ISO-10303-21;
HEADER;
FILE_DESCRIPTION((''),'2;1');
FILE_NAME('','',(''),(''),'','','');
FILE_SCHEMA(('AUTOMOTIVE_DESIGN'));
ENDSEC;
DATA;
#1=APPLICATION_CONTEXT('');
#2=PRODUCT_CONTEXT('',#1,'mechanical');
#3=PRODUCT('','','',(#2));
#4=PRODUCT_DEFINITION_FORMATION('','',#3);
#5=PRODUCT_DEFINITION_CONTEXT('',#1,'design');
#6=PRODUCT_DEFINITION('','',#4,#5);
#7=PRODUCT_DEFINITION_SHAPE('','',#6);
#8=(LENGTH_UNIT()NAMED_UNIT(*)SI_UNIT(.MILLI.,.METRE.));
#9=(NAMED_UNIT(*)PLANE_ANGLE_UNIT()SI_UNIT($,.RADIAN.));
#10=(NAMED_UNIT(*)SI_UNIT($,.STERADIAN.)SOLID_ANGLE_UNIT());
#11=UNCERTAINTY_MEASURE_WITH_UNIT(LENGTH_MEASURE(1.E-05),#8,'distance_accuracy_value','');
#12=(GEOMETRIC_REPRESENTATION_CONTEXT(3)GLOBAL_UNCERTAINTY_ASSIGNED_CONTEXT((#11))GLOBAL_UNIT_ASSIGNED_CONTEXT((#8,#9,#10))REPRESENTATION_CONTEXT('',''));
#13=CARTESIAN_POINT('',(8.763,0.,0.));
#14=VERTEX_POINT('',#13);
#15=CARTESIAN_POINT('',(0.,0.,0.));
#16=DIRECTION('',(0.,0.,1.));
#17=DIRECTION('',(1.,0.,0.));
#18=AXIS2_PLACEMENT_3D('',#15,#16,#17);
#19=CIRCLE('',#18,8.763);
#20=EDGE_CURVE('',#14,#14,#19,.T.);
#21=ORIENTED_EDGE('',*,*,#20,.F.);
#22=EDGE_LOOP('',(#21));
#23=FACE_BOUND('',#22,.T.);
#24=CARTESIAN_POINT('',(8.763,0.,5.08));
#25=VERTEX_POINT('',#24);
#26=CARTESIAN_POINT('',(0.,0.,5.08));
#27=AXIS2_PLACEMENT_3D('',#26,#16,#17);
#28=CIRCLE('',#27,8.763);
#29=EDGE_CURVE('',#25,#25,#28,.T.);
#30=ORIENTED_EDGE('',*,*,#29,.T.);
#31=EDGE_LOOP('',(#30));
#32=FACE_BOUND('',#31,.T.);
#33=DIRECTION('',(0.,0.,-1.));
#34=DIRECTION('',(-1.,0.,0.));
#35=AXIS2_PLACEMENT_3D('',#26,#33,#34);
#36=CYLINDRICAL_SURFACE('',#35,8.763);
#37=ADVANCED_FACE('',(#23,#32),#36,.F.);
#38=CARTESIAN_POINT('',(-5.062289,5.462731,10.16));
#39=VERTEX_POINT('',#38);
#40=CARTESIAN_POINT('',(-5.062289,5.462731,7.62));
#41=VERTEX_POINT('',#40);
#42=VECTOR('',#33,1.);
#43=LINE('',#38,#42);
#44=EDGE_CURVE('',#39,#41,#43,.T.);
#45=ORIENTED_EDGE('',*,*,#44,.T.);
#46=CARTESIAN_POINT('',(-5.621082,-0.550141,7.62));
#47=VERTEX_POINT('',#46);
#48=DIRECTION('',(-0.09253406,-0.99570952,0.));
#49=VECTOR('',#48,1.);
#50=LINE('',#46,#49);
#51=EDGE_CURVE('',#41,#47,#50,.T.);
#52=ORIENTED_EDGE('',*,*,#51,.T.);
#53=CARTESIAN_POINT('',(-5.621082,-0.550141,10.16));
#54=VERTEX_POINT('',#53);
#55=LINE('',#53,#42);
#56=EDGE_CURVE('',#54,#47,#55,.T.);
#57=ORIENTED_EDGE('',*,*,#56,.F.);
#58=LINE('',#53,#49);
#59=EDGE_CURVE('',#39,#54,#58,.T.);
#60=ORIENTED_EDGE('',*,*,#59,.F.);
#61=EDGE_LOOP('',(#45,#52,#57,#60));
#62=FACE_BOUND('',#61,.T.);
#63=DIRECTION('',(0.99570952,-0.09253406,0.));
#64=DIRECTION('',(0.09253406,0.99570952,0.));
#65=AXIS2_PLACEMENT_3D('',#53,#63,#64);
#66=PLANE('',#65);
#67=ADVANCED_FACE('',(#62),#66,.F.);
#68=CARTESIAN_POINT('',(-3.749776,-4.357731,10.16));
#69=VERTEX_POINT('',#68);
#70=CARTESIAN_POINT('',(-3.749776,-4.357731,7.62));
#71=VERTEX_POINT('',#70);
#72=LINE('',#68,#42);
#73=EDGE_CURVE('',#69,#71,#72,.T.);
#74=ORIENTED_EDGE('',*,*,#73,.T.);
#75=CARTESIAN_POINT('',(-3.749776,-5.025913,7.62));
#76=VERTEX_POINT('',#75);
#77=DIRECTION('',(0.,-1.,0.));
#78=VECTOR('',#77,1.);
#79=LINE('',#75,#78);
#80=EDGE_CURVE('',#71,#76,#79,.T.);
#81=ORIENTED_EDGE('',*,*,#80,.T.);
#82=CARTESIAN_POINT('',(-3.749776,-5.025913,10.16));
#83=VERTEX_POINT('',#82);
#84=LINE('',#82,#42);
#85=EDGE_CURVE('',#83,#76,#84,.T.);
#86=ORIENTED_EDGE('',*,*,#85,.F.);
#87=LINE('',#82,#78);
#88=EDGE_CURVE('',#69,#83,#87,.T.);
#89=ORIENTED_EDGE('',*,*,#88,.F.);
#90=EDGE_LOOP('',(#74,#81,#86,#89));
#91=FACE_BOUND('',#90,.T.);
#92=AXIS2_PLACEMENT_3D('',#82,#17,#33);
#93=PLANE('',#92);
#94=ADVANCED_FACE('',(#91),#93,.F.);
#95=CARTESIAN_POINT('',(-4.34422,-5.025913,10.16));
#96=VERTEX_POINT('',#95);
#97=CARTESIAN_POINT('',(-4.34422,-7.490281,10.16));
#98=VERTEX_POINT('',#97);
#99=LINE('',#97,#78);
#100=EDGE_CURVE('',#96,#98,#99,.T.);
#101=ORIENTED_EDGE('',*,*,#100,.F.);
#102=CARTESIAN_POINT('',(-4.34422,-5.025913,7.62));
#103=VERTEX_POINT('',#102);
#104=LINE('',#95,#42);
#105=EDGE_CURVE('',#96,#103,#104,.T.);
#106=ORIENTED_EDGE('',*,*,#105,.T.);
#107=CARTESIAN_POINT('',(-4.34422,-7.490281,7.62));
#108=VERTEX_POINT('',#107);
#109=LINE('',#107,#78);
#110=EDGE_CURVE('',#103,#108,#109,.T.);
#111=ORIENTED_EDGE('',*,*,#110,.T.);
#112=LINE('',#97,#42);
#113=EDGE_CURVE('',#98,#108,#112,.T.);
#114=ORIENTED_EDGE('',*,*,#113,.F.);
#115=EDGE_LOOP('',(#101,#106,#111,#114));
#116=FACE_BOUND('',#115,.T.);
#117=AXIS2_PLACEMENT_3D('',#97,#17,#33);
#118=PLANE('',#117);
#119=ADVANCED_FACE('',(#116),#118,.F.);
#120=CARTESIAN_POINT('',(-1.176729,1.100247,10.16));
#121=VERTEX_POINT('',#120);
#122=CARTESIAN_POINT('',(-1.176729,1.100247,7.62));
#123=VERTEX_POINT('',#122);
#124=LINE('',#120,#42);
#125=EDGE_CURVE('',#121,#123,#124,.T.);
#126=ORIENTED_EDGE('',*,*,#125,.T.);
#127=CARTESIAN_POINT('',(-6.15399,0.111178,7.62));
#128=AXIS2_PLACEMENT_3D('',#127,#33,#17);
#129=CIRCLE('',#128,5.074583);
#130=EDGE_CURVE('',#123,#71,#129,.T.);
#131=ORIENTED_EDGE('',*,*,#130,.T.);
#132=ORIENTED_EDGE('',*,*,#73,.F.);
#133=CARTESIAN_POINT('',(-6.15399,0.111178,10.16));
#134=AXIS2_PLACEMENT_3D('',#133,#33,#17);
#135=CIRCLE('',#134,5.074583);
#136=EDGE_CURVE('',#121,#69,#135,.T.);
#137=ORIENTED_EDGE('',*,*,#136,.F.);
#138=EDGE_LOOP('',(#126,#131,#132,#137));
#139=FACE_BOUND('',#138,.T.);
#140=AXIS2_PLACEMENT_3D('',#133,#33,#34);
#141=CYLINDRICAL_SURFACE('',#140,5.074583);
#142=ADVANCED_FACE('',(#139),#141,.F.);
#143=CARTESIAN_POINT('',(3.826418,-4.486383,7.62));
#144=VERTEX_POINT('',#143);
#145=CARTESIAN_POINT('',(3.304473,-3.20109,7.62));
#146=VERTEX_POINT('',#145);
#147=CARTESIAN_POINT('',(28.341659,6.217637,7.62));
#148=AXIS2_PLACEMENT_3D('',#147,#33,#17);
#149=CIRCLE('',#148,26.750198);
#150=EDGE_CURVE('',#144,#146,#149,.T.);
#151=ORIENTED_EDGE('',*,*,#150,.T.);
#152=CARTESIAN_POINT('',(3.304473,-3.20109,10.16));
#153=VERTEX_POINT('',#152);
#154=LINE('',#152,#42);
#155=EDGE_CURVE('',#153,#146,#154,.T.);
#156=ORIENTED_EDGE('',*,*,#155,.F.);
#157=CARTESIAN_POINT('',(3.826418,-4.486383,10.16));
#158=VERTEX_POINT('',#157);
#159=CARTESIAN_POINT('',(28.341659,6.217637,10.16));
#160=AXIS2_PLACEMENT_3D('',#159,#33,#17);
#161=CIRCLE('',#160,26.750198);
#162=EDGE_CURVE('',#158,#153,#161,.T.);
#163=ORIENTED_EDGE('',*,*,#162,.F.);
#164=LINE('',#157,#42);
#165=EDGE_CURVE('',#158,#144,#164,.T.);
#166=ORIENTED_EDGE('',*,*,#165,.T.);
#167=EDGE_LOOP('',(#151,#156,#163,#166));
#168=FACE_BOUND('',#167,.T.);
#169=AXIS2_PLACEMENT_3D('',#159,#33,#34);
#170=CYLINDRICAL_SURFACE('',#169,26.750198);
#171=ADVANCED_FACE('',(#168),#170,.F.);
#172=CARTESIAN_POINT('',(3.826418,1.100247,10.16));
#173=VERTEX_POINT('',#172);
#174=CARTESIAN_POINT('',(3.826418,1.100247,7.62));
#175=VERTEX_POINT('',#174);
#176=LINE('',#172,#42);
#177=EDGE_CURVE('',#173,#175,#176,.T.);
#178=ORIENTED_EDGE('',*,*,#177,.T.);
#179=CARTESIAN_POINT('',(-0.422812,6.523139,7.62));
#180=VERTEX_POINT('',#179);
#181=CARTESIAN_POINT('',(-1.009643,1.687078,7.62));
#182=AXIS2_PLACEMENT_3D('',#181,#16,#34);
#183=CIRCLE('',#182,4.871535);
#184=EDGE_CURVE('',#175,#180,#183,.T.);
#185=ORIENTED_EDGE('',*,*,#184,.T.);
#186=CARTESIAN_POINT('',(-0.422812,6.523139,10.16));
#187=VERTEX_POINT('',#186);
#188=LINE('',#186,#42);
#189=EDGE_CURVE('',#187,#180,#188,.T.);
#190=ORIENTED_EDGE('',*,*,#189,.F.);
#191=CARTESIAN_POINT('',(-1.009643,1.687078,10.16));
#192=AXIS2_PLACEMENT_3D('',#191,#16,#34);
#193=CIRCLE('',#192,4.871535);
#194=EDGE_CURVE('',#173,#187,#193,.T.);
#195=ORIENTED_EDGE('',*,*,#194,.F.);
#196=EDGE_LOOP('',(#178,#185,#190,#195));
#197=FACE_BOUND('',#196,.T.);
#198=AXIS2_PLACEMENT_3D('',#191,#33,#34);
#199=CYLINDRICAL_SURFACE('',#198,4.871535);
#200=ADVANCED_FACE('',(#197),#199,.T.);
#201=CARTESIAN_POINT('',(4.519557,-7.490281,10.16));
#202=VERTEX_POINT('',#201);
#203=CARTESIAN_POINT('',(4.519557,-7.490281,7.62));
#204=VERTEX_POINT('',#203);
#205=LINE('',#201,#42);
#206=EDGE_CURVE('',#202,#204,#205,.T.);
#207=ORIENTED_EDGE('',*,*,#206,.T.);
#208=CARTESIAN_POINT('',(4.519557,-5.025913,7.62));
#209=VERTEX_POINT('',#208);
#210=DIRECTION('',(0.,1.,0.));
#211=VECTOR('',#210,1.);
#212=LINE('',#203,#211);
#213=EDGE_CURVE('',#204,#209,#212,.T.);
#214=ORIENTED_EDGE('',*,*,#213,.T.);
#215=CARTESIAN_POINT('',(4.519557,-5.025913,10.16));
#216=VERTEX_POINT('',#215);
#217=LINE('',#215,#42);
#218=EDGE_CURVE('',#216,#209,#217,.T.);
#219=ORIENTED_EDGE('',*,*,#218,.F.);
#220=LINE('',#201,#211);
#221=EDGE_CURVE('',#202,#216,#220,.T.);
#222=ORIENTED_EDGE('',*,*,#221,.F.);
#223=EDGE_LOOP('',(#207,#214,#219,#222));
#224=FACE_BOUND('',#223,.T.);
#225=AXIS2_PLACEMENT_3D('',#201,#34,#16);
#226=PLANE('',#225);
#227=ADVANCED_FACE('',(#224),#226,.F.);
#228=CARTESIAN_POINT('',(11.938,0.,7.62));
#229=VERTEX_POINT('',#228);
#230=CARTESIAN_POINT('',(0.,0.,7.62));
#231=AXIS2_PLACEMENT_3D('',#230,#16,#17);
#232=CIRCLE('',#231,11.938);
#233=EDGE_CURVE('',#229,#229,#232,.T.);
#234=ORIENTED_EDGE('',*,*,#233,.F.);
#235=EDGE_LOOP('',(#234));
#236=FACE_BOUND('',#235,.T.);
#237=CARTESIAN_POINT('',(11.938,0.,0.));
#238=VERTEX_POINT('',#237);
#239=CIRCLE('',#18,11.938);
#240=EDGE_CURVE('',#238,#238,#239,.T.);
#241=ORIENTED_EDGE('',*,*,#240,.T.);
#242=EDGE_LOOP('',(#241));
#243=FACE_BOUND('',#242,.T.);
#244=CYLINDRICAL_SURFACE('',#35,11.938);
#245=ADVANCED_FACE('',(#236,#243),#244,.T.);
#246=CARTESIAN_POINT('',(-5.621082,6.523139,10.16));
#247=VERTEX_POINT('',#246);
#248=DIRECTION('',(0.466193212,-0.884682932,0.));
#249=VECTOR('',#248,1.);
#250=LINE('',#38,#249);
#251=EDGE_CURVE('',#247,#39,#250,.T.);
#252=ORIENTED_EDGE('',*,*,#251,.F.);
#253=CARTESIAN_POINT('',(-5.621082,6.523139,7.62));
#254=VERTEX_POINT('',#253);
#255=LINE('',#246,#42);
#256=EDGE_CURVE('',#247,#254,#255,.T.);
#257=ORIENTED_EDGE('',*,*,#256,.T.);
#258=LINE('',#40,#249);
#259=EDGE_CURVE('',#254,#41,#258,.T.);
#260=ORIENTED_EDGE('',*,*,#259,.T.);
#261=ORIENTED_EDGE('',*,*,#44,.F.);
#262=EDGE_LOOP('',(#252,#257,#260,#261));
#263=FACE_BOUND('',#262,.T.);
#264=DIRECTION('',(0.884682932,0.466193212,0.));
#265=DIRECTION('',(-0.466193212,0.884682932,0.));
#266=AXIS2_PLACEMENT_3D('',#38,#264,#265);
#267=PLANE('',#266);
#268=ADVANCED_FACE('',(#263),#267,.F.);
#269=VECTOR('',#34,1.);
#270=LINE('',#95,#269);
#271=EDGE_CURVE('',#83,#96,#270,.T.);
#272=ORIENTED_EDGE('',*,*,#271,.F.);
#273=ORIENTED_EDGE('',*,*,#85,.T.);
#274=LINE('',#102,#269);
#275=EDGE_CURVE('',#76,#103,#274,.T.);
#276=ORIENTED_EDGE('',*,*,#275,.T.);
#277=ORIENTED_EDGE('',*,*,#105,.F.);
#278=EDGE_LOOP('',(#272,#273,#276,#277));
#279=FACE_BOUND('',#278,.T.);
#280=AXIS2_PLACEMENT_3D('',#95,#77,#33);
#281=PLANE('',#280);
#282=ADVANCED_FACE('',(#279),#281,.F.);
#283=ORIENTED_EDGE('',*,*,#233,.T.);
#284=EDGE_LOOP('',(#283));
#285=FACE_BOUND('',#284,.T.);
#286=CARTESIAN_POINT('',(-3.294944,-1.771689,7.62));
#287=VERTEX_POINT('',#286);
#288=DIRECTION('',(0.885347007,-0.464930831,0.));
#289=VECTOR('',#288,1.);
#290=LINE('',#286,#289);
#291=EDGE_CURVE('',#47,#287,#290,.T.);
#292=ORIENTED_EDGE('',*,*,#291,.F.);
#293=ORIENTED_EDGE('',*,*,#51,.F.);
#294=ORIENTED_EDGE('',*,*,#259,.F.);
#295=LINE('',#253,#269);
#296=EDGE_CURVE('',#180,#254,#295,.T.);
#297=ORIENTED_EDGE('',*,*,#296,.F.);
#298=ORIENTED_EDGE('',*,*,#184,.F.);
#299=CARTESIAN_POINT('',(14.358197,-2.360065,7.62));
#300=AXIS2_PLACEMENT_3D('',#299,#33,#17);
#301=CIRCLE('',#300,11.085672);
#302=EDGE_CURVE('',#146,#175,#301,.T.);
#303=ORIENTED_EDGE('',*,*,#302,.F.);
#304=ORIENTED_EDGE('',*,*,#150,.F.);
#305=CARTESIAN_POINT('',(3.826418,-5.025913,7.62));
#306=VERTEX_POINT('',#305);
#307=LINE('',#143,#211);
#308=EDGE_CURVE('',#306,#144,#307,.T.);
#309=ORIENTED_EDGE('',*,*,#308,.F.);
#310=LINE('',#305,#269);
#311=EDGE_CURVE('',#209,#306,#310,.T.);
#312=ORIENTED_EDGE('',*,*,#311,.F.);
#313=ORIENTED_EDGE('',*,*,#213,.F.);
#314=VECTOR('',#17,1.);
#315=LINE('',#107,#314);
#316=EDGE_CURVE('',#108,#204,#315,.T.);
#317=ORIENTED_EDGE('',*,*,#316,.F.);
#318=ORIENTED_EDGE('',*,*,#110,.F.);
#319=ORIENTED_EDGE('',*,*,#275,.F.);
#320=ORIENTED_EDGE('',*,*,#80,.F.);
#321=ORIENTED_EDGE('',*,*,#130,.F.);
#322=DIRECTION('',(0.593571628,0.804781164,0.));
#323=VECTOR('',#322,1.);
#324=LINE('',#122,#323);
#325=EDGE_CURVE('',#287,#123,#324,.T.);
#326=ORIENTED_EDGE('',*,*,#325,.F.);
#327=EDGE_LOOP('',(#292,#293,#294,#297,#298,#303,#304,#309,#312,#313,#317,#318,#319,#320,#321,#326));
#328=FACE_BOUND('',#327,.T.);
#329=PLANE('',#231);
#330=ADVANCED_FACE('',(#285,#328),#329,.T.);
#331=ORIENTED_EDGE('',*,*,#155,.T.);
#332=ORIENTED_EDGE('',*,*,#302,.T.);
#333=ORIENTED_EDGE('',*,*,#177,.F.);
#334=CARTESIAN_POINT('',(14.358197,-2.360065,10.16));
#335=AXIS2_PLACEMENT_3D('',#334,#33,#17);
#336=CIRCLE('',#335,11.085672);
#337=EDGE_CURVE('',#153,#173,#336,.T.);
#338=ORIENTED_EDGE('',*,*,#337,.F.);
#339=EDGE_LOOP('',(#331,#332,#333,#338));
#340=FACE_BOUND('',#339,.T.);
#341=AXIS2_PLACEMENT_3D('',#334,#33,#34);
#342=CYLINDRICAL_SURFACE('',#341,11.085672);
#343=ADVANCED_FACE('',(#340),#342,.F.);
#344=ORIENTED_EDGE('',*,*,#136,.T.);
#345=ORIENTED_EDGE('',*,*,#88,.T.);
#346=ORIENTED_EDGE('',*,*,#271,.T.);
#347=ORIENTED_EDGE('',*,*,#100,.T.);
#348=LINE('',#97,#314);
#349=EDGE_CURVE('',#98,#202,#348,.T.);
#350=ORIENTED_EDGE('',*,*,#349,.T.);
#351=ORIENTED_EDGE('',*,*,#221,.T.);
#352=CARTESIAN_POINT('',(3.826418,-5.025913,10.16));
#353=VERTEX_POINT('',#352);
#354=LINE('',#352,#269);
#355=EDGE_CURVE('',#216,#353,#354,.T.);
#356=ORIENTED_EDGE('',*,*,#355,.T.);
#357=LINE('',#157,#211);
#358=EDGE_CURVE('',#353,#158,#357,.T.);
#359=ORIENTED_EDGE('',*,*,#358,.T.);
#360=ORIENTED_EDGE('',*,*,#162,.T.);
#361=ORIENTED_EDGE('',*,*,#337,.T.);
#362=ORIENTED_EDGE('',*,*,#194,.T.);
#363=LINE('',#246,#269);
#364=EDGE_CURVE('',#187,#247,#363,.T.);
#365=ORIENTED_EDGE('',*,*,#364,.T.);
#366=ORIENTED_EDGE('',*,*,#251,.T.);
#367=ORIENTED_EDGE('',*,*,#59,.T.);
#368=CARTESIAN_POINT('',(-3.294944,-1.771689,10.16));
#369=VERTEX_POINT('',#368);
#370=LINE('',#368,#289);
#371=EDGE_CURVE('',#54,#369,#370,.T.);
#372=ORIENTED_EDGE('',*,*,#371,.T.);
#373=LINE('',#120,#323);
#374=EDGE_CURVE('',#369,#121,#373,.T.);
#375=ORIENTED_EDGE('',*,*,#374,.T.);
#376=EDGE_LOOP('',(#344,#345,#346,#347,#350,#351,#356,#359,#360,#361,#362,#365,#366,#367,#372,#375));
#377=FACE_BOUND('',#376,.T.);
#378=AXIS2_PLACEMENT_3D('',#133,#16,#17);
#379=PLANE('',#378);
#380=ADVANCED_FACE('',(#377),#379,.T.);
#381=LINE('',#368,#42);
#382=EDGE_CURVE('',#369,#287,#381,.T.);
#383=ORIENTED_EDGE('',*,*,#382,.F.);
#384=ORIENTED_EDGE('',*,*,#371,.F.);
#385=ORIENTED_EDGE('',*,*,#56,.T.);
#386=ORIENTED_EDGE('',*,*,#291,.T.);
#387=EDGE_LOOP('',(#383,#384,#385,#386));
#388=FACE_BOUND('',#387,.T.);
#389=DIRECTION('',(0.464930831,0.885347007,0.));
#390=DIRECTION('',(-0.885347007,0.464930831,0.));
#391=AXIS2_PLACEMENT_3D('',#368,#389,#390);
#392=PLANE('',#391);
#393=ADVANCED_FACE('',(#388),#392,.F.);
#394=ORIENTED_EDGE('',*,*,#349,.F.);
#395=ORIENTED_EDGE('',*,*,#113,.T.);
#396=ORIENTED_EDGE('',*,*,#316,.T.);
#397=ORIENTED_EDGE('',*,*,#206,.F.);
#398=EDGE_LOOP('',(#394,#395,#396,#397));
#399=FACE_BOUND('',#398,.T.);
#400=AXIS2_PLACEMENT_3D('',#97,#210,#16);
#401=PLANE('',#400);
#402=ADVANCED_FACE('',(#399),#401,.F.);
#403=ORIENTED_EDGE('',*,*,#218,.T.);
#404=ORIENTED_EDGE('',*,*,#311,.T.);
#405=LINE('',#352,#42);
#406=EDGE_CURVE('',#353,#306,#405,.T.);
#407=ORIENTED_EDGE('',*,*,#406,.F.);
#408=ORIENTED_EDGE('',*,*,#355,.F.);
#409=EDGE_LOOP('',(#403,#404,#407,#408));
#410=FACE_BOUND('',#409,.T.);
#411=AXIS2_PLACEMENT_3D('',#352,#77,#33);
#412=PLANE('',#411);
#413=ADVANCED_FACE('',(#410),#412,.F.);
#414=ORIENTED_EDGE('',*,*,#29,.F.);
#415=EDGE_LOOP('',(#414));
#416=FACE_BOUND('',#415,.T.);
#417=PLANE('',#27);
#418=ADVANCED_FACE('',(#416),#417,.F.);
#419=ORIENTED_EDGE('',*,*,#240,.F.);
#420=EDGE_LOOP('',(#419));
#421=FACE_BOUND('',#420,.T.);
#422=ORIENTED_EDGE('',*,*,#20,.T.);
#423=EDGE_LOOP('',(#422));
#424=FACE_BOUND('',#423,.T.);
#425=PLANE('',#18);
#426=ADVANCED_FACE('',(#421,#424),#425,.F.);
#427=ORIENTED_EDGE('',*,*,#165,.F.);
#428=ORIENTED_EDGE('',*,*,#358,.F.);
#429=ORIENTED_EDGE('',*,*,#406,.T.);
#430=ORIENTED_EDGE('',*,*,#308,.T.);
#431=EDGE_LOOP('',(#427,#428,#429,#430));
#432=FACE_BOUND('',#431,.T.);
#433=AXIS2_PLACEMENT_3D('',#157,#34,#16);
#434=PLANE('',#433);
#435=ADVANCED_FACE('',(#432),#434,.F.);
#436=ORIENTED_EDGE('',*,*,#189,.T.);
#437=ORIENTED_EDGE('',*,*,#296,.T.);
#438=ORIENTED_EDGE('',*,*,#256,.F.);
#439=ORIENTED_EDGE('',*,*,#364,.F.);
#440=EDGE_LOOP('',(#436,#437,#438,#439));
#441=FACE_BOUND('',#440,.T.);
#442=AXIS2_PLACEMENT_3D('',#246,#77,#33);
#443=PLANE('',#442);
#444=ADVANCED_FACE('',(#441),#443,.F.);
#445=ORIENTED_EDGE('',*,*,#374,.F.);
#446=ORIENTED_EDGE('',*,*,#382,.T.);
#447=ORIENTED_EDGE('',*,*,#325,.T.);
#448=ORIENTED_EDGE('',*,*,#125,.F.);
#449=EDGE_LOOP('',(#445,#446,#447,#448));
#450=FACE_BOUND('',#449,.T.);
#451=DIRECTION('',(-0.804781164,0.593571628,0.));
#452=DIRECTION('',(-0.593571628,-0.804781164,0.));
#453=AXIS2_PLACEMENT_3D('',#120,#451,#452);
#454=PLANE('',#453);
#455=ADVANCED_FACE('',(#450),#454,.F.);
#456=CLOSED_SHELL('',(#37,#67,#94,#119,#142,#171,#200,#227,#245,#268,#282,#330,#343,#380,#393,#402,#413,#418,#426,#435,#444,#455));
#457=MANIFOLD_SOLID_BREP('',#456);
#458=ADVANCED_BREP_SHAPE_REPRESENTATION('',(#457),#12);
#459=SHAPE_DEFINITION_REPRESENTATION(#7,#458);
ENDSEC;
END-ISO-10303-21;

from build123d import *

# Parameters (mm, degrees)
SKETCH1_R           = 11.938
SKETCH1_R_2         = 8.763
BOSS_EXTRUDE1_DEPTH = 5.08
SKETCH2_R           = 11.938
BOSS_EXTRUDE2_DEPTH = 2.54
BOSS_EXTRUDE5_DEPTH = 2.54


with BuildPart() as part:
    # Sketch1 → Boss-Extrude1 (new body)
    with BuildSketch(Plane.XY):
        Circle(SKETCH1_R)
        Circle(SKETCH1_R_2, mode=Mode.SUBTRACT)
    extrude(amount=BOSS_EXTRUDE1_DEPTH)

    # Sketch2 → Boss-Extrude2 (add)
    with BuildSketch(Plane.XY.offset(5.08)):
        Circle(SKETCH2_R)
    extrude(amount=BOSS_EXTRUDE2_DEPTH)

    # Sketch3 → Boss-Extrude5 (add)
    with BuildSketch(Plane.XY.offset(7.62)):
        with BuildLine():
            Line((-3.749775554, -5.025912703), (-3.749775554, -4.357730643))
            ThreePointArc((-3.749775554, -4.357730643), (-1.563899962, -2.052721882), (-1.176728716, 1.100247499))
            Line((-1.176728716, 1.100247499), (-3.294944042, -1.771688619))
            Line((-3.294944042, -1.771688619), (-5.621082346, -0.55014113))
            Line((-5.621082346, -0.55014113), (-5.062289346, 5.462731457))
            Line((-5.062289346, 5.462731457), (-5.621082346, 6.523138639))
            Line((-5.621082346, 6.523138639), (-0.422811908, 6.523138639))
            ThreePointArc((-0.422811908, 6.523138639), (2.824920532, 4.69173738), (3.826417915, 1.100247499))
            ThreePointArc((3.826417915, 1.100247499), (3.353249923, -1.024672289), (3.304473127, -3.20108973))
            ThreePointArc((3.304473127, -3.20108973), (3.557112423, -3.847120346), (3.826417915, -4.486382985))
            Line((3.826417915, -4.486382985), (3.826417915, -5.025912703))
            Line((3.826417915, -5.025912703), (4.519556937, -5.025912703))
            Line((4.519556937, -5.025912703), (4.519556937, -7.490281135))
            Line((4.519556937, -7.490281135), (-4.344219843, -7.490281135))
            Line((-4.344219843, -7.490281135), (-4.344219843, -5.025912703))
            Line((-4.344219843, -5.025912703), (-3.749775554, -5.025912703))
        make_face()
    extrude(amount=BOSS_EXTRUDE5_DEPTH)


solid = part.part
